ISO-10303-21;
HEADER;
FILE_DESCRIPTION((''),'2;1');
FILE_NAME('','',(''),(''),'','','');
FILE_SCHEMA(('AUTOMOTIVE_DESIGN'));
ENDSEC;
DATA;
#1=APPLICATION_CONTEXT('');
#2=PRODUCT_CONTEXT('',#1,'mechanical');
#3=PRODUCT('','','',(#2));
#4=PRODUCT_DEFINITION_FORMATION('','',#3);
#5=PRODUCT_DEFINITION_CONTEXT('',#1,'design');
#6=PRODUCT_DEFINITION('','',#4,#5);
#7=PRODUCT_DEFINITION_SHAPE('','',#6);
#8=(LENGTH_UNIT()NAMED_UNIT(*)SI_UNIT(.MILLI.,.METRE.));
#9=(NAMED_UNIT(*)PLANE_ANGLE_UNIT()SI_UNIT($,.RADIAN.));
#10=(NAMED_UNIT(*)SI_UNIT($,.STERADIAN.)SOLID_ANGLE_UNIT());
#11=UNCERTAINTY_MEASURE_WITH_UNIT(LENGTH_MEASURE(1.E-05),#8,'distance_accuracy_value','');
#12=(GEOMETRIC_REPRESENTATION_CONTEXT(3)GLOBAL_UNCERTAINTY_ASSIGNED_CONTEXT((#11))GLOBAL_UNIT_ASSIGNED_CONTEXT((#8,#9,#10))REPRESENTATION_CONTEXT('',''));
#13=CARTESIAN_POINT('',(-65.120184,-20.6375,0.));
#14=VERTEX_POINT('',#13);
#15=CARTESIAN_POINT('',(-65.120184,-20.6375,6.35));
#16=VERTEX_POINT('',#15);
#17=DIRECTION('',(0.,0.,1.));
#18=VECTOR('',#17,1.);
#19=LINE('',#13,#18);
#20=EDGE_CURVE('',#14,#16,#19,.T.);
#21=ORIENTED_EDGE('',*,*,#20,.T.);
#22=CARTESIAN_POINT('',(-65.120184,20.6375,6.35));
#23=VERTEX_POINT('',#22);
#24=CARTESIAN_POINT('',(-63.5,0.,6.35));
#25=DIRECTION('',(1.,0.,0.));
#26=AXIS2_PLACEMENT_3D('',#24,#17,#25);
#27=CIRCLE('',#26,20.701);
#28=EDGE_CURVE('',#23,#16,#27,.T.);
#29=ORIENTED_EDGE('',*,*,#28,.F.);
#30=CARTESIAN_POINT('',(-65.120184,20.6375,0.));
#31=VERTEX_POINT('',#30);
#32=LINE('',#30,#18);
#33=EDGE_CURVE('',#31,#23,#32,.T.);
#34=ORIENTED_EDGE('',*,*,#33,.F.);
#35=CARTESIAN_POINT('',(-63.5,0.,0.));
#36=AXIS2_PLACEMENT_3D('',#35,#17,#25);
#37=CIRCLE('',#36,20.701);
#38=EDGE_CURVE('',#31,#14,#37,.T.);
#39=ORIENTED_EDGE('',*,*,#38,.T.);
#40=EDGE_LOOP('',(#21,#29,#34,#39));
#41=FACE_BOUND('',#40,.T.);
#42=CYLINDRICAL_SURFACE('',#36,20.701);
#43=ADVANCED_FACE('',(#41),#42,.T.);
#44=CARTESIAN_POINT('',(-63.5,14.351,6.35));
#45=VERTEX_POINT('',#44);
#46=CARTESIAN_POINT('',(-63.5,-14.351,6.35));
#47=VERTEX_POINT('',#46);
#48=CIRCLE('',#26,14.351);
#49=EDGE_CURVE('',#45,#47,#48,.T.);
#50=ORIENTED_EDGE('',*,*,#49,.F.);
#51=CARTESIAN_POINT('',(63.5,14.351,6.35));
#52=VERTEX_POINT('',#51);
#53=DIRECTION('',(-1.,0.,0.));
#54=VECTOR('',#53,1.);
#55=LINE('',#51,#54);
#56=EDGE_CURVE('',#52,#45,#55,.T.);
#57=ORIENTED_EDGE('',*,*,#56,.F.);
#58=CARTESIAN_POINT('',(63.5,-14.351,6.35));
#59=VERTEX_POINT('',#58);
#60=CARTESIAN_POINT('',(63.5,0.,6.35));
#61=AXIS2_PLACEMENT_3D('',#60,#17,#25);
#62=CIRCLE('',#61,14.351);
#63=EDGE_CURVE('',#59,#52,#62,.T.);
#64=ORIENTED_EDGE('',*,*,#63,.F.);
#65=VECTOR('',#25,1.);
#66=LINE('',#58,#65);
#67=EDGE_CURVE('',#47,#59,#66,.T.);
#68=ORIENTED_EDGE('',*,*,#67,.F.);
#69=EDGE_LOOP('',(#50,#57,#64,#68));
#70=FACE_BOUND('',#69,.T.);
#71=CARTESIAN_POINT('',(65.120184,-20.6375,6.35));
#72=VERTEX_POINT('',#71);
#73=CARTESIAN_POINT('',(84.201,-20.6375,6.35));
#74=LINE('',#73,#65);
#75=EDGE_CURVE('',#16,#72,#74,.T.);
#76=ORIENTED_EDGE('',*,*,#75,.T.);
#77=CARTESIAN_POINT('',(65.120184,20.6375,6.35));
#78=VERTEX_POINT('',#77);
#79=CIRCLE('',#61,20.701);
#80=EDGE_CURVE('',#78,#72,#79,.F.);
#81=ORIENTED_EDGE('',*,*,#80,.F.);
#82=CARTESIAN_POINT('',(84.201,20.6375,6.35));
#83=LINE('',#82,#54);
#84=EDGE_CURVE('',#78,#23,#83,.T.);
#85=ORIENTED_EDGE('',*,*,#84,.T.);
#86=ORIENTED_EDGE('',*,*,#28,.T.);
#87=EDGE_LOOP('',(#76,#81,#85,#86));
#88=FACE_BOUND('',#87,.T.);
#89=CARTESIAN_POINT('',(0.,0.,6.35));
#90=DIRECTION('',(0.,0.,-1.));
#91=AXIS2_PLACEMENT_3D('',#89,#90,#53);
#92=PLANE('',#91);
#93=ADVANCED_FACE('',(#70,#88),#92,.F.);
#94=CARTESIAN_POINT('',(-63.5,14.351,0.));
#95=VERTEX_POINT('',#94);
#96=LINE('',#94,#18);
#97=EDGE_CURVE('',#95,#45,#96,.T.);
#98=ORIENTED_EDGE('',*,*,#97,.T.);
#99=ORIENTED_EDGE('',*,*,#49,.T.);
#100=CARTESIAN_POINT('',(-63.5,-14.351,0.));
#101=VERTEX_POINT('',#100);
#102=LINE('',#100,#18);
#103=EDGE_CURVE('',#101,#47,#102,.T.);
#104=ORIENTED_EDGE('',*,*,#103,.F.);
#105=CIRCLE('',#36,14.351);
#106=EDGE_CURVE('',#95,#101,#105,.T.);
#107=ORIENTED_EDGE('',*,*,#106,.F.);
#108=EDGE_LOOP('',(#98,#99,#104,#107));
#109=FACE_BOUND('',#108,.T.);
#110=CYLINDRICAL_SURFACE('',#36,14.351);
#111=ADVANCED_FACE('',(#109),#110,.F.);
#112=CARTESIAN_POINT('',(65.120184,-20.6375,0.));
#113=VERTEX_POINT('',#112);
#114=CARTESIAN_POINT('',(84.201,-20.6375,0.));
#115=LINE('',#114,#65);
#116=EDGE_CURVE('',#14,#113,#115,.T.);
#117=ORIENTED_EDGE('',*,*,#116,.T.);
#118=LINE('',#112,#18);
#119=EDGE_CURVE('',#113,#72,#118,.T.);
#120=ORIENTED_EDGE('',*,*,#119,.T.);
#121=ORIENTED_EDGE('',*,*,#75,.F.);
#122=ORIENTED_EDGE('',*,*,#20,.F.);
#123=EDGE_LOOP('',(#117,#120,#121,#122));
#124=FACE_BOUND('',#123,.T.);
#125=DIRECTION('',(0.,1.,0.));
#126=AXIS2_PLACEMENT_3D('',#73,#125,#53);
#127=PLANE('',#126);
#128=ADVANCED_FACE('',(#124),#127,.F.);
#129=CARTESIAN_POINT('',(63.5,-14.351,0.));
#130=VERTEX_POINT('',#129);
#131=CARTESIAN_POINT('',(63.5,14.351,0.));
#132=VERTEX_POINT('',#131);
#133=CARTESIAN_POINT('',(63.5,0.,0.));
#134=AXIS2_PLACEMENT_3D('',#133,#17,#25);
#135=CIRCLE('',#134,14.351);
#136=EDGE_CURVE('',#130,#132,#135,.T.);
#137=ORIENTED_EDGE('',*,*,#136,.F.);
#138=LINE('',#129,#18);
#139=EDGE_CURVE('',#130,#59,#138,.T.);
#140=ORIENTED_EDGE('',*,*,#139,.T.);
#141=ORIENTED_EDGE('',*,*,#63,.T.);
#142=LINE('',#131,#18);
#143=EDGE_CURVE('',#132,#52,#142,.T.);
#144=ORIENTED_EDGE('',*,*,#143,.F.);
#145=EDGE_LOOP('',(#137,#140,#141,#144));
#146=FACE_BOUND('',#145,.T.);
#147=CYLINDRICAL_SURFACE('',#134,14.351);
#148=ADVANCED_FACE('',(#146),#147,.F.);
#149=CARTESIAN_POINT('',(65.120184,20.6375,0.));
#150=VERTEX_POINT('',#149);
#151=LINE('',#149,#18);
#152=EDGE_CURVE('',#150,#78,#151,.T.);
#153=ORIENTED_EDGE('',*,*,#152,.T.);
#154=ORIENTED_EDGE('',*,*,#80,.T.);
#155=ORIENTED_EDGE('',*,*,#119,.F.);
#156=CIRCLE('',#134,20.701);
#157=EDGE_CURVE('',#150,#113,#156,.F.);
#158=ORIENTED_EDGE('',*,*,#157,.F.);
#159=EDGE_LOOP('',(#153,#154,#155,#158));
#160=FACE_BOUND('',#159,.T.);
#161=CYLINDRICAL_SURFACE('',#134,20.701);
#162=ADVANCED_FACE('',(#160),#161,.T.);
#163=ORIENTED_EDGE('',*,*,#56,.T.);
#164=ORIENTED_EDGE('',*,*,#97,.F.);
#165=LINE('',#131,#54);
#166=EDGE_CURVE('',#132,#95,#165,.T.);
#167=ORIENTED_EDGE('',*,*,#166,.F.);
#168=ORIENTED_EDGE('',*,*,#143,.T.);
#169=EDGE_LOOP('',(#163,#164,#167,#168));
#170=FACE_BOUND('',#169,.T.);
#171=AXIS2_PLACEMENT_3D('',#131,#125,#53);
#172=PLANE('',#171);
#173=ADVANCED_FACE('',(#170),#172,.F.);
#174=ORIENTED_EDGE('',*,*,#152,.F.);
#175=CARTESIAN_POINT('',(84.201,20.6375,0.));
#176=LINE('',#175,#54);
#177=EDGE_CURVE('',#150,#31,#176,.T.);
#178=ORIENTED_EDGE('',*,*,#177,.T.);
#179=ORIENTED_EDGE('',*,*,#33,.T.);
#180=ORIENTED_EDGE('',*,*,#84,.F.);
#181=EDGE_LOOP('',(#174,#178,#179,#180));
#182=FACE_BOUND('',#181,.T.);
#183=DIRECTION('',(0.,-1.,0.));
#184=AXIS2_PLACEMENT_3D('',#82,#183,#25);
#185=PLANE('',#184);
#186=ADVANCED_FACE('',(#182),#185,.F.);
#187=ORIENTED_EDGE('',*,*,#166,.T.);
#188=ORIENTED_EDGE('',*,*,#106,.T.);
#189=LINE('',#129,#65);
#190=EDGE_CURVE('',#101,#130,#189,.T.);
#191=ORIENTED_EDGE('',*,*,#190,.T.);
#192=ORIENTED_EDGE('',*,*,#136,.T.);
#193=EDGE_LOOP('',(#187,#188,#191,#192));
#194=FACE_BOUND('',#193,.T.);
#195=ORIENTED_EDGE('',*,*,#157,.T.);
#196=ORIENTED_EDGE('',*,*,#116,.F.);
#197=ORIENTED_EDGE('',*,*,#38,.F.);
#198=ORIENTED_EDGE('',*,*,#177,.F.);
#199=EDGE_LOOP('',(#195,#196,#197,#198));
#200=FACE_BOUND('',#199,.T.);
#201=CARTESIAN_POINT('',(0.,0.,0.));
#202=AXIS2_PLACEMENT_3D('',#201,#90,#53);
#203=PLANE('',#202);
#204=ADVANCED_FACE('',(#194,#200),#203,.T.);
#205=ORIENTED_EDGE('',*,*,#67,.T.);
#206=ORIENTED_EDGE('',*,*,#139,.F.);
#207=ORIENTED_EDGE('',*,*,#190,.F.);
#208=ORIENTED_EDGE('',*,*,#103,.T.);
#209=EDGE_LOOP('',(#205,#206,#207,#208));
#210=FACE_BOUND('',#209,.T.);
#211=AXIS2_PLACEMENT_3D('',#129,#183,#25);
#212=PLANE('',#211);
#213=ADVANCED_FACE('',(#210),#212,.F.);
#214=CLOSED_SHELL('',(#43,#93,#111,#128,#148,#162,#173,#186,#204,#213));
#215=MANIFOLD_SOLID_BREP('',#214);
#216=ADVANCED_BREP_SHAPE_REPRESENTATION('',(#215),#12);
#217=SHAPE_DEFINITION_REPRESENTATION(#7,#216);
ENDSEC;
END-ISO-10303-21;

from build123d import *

# Parameters (mm, degrees)
SKETCH1_W           = 168.402
SKETCH1_H           = 41.275
BOSS_EXTRUDE1_DEPTH = 6.35
CUT_EXTRUDE1_DEPTH  = 87.925469842
CUT_EXTRUDE2_DEPTH  = 87.925469842


with BuildPart() as part:
    # Sketch1 → Boss-Extrude1 (new body)
    with BuildSketch(Plane.XY):
        Rectangle(SKETCH1_W, SKETCH1_H)
    extrude(amount=BOSS_EXTRUDE1_DEPTH)

    # Sketch2 → Cut-Extrude1 (cut, through all)
    with BuildSketch(Plane.XY.offset(6.35)):
        with BuildLine():
            Line((63.5, -14.351), (-63.5, -14.351))
            ThreePointArc((-63.5, -14.351), (-77.851, 0), (-63.5, 14.351))
            Line((-63.5, 14.351), (63.5, 14.351))
            ThreePointArc((63.5, 14.351), (77.851, 0), (63.5, -14.351))
        make_face()
    extrude(amount=-CUT_EXTRUDE1_DEPTH, mode=Mode.SUBTRACT)

    # Sketch5 → Cut-Extrude2 (cut, through all)
    with BuildSketch(Plane.XY.offset(6.35)):
        with BuildLine():
            ThreePointArc((-84.201, -7.7e-08), (-78.699849051, 14.053326646), (-65.120183554, 20.6375))
            Line((-65.120183554, 20.6375), (-84.201, 20.6375))
            Line((-84.201, 20.6375), (-84.201, -7.7e-08))
        make_face()
        with BuildLine():
            ThreePointArc((-65.120183554, -20.6375), (-78.699848999, -14.053326703), (-84.201, -7.7e-08))
            Line((-84.201, -7.7e-08), (-84.201, -20.6375))
            Line((-84.201, -20.6375), (-65.120183554, -20.6375))
        make_face()
        with BuildLine():
            Line((84.201, 20.6375), (65.120183554, 20.6375))
            ThreePointArc((65.120183554, 20.6375), (78.699849025, 14.053326674), (84.201, 0))
            Line((84.201, 0), (84.201, 20.6375))
        make_face()
        with BuildLine():
            Line((84.201, -20.6375), (84.201, 0))
            ThreePointArc((84.201, 0), (78.699849025, -14.053326674), (65.120183554, -20.6375))
            Line((65.120183554, -20.6375), (84.201, -20.6375))
        make_face()
    extrude(amount=-CUT_EXTRUDE2_DEPTH, mode=Mode.SUBTRACT)


solid = part.part
